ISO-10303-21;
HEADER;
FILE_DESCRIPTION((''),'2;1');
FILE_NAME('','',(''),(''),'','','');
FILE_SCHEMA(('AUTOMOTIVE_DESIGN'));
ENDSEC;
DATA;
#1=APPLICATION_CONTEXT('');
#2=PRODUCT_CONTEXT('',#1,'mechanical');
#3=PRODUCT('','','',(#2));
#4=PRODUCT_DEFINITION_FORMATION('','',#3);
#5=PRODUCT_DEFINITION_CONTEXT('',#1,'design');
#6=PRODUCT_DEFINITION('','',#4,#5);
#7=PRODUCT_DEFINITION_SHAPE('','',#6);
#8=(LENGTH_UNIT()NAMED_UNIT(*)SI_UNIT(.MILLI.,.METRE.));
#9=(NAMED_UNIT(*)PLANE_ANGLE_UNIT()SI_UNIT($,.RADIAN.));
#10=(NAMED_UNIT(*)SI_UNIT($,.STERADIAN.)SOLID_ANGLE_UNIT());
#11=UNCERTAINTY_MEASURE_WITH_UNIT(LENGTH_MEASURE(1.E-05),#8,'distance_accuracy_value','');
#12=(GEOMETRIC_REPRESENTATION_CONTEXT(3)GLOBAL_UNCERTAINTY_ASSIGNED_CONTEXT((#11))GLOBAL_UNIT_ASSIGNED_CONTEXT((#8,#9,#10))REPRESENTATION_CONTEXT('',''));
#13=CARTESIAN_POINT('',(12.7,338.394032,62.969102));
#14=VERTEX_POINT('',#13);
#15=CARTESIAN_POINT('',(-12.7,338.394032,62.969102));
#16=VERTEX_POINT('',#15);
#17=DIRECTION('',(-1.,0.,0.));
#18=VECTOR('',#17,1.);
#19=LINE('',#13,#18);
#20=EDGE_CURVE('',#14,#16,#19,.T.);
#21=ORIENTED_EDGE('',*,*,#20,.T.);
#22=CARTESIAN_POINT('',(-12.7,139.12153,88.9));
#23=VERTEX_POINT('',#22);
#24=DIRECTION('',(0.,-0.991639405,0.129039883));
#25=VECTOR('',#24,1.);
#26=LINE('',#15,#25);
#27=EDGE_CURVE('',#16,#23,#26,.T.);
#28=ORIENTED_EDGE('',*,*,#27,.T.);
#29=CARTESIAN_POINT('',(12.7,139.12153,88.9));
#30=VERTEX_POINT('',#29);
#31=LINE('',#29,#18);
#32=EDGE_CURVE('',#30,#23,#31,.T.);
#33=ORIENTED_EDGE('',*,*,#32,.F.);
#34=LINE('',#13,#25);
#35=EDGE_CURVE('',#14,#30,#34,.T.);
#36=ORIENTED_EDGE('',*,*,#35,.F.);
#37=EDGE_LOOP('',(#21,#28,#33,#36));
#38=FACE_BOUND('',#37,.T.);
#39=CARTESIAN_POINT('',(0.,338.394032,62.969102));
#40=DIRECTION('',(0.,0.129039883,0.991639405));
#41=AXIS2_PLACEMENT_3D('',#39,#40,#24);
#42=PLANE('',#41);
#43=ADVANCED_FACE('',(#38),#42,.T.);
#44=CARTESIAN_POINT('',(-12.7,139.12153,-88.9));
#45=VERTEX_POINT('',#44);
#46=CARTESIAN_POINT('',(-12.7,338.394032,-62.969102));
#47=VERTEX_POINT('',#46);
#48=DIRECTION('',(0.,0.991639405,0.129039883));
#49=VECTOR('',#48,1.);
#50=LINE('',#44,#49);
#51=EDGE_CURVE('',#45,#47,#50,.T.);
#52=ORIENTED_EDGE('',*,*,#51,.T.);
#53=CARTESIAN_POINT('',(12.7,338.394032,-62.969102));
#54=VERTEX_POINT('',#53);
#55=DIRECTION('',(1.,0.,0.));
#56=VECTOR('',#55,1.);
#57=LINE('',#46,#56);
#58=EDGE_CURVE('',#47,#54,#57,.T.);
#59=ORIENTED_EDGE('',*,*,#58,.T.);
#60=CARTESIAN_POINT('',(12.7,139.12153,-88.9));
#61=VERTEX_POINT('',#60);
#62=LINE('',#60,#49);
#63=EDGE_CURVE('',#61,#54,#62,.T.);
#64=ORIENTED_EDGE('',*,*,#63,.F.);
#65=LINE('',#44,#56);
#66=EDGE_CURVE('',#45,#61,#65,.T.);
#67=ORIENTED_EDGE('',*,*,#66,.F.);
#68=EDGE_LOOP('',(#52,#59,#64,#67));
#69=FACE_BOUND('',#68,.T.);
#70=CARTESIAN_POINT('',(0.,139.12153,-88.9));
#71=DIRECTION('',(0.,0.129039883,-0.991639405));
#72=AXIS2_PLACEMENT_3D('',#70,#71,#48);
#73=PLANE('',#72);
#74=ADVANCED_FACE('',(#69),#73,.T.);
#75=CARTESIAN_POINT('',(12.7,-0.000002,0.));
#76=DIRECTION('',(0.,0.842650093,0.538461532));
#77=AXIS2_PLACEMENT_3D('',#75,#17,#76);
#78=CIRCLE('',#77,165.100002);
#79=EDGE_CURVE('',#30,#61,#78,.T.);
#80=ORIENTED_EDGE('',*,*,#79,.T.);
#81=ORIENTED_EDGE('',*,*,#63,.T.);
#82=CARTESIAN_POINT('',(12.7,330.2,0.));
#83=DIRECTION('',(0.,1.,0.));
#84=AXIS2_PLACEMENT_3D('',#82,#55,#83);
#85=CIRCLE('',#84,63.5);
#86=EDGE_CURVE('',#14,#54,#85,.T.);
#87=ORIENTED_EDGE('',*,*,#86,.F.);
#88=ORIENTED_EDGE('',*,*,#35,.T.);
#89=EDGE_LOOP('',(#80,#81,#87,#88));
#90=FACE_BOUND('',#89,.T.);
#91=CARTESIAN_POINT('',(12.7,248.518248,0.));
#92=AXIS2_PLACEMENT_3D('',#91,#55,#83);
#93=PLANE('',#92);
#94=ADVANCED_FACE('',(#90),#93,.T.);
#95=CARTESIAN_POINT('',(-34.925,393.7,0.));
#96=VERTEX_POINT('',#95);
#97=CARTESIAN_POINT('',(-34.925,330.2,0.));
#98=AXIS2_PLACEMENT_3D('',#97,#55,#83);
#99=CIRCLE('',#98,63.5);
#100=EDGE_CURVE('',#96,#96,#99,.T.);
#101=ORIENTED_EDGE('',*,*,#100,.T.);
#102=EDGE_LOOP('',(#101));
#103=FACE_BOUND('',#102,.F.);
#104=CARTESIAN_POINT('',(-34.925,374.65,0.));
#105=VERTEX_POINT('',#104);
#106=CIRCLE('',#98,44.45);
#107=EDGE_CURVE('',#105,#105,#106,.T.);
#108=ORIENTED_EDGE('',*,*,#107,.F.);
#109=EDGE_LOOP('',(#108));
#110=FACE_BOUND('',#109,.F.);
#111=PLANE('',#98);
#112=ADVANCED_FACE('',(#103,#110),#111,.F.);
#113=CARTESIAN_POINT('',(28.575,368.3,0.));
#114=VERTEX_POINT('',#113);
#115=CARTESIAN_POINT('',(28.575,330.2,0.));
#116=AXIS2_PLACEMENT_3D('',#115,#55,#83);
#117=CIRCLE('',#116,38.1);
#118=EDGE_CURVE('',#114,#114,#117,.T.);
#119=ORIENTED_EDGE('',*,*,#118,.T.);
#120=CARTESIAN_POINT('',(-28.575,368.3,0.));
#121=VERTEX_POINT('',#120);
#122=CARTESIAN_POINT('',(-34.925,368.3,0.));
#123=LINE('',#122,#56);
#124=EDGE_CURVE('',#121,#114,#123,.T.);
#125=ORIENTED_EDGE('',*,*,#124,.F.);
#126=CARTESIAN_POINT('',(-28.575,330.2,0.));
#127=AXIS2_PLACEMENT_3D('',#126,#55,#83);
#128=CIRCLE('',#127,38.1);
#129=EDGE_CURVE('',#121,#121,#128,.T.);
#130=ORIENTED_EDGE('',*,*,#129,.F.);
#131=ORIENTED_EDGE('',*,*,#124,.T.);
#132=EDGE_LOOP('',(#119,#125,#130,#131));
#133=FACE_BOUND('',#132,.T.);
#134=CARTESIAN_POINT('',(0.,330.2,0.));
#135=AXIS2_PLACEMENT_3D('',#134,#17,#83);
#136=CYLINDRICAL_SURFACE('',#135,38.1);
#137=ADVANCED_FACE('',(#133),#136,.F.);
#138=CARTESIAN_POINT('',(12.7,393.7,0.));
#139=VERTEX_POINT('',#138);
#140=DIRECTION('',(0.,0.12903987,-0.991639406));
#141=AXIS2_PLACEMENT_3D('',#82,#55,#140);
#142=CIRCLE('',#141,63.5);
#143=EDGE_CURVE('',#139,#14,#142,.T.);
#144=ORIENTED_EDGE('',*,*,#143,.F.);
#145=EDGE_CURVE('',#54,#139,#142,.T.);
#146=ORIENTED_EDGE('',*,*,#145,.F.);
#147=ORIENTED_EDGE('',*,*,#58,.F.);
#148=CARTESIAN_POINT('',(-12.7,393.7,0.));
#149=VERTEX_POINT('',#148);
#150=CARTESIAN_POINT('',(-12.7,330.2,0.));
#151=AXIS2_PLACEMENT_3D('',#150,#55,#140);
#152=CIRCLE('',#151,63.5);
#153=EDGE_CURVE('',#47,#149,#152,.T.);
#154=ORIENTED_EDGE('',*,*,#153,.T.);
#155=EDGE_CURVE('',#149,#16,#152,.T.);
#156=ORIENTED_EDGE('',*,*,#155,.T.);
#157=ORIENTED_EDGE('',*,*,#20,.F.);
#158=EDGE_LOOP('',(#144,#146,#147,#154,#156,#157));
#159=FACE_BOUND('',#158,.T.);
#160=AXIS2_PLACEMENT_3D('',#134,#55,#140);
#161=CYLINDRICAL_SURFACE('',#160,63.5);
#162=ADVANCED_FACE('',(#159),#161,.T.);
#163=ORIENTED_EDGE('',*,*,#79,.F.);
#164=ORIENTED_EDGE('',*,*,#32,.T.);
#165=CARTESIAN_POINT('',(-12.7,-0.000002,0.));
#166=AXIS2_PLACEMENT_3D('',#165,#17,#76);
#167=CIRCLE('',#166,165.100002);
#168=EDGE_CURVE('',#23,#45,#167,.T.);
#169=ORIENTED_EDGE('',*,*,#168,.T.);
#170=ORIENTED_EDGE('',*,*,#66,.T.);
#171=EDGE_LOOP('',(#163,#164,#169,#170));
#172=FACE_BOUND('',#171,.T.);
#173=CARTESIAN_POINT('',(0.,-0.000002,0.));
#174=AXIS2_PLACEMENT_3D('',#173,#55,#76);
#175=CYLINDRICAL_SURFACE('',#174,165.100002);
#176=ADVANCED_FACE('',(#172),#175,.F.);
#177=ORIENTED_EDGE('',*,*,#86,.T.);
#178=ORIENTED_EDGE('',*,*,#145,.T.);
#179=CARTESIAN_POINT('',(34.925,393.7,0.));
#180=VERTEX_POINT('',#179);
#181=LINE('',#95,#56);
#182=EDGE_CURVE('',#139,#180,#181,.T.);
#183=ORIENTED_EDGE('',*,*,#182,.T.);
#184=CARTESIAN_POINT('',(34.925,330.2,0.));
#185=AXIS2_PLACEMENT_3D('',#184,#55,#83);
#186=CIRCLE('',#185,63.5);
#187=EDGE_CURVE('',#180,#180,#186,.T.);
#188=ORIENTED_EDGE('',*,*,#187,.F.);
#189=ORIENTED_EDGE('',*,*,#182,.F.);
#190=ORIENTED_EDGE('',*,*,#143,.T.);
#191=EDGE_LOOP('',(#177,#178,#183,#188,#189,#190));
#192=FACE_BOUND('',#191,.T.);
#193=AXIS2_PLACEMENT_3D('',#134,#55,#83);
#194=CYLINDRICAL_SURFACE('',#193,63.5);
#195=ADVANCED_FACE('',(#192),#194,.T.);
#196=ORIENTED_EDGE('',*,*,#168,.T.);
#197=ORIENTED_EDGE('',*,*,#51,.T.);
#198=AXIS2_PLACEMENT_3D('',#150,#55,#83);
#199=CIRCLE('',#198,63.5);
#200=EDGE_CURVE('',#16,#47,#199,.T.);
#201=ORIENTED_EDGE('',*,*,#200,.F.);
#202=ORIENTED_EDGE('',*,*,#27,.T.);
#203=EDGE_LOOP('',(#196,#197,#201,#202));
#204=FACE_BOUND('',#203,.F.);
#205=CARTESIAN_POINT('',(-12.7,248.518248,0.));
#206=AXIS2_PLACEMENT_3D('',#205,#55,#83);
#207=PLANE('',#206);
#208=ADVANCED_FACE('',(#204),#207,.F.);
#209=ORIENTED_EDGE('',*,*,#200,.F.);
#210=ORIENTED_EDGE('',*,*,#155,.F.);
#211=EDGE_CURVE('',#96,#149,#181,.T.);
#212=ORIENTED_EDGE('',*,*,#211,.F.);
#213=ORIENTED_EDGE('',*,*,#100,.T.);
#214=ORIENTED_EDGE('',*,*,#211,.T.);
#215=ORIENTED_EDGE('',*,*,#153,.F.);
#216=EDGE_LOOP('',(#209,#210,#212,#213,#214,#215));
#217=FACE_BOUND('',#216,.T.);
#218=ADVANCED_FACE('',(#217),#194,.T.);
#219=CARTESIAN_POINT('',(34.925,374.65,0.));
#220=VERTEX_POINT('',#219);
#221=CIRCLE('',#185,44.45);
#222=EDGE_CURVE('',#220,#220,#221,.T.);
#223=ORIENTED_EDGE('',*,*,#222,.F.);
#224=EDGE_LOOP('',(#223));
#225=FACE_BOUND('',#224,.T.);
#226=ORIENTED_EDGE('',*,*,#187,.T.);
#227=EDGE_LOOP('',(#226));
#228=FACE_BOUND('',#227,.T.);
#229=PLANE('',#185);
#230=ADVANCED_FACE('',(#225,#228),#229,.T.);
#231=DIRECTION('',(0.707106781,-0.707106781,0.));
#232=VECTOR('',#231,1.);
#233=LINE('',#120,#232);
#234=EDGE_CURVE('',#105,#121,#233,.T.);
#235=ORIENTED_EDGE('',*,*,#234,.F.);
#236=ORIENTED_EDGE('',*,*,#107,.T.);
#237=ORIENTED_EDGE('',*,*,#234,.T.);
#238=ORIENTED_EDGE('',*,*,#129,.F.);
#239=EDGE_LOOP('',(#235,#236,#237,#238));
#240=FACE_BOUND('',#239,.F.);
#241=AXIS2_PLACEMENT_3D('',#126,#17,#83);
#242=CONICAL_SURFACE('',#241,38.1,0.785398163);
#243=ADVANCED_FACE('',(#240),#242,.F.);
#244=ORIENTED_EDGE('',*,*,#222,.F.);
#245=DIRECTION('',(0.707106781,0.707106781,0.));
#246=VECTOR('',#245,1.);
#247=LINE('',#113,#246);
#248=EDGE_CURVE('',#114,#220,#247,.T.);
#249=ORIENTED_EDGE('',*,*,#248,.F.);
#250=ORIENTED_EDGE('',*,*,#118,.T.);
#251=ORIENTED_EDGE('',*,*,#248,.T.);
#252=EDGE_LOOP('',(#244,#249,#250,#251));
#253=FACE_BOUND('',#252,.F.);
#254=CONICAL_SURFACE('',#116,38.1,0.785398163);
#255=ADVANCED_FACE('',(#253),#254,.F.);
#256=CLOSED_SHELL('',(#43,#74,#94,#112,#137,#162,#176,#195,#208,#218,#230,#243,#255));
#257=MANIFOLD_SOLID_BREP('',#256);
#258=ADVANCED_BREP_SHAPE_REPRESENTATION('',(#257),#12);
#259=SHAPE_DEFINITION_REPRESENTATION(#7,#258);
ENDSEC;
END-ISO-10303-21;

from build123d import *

# Parameters (mm, degrees)
F0_R     = 38.1
F1_DEPTH = 12.7
F2_R     = 63.5
F2_R_2   = 38.1
F3_DEPTH = 34.925
F4_SIZE  = 6.35


with BuildPart() as f1:
    # F0 (on Right) → F1 (new body, symmetric)
    with BuildSketch(Plane.YZ):
        with BuildLine():
            ThreePointArc((139.12153, 88.9), (165.1, 0), (139.12153, -88.9))
            Line((139.12153, -88.9), (338.394032, -62.969102))
            ThreePointArc((338.394032, -62.969102), (393.7, 0), (338.394032, 62.969102))
            Line((338.394032, 62.969102), (139.12153, 88.9))
        make_face()
        with Locations((330.2, 0)):
            Circle(F0_R, mode=Mode.SUBTRACT)
    extrude(amount=F1_DEPTH, both=True)

    # F2 (on Right) → F3 (join, symmetric)
    with BuildSketch(Plane.YZ):
        with Locations((330.2, 0)):
            Circle(F2_R)
        with Locations((330.2, 0)):
            Circle(F2_R_2, mode=Mode.SUBTRACT)
    extrude(amount=F3_DEPTH, both=True)

    # F4
    f4_edges = [f1.edges().sort_by_distance(p)[0] for p in [
        (-34.925, 292.1, 0),
        (34.925, 292.1, 0),
    ]]
    chamfer(f4_edges, length=F4_SIZE)


solid = f1.part
